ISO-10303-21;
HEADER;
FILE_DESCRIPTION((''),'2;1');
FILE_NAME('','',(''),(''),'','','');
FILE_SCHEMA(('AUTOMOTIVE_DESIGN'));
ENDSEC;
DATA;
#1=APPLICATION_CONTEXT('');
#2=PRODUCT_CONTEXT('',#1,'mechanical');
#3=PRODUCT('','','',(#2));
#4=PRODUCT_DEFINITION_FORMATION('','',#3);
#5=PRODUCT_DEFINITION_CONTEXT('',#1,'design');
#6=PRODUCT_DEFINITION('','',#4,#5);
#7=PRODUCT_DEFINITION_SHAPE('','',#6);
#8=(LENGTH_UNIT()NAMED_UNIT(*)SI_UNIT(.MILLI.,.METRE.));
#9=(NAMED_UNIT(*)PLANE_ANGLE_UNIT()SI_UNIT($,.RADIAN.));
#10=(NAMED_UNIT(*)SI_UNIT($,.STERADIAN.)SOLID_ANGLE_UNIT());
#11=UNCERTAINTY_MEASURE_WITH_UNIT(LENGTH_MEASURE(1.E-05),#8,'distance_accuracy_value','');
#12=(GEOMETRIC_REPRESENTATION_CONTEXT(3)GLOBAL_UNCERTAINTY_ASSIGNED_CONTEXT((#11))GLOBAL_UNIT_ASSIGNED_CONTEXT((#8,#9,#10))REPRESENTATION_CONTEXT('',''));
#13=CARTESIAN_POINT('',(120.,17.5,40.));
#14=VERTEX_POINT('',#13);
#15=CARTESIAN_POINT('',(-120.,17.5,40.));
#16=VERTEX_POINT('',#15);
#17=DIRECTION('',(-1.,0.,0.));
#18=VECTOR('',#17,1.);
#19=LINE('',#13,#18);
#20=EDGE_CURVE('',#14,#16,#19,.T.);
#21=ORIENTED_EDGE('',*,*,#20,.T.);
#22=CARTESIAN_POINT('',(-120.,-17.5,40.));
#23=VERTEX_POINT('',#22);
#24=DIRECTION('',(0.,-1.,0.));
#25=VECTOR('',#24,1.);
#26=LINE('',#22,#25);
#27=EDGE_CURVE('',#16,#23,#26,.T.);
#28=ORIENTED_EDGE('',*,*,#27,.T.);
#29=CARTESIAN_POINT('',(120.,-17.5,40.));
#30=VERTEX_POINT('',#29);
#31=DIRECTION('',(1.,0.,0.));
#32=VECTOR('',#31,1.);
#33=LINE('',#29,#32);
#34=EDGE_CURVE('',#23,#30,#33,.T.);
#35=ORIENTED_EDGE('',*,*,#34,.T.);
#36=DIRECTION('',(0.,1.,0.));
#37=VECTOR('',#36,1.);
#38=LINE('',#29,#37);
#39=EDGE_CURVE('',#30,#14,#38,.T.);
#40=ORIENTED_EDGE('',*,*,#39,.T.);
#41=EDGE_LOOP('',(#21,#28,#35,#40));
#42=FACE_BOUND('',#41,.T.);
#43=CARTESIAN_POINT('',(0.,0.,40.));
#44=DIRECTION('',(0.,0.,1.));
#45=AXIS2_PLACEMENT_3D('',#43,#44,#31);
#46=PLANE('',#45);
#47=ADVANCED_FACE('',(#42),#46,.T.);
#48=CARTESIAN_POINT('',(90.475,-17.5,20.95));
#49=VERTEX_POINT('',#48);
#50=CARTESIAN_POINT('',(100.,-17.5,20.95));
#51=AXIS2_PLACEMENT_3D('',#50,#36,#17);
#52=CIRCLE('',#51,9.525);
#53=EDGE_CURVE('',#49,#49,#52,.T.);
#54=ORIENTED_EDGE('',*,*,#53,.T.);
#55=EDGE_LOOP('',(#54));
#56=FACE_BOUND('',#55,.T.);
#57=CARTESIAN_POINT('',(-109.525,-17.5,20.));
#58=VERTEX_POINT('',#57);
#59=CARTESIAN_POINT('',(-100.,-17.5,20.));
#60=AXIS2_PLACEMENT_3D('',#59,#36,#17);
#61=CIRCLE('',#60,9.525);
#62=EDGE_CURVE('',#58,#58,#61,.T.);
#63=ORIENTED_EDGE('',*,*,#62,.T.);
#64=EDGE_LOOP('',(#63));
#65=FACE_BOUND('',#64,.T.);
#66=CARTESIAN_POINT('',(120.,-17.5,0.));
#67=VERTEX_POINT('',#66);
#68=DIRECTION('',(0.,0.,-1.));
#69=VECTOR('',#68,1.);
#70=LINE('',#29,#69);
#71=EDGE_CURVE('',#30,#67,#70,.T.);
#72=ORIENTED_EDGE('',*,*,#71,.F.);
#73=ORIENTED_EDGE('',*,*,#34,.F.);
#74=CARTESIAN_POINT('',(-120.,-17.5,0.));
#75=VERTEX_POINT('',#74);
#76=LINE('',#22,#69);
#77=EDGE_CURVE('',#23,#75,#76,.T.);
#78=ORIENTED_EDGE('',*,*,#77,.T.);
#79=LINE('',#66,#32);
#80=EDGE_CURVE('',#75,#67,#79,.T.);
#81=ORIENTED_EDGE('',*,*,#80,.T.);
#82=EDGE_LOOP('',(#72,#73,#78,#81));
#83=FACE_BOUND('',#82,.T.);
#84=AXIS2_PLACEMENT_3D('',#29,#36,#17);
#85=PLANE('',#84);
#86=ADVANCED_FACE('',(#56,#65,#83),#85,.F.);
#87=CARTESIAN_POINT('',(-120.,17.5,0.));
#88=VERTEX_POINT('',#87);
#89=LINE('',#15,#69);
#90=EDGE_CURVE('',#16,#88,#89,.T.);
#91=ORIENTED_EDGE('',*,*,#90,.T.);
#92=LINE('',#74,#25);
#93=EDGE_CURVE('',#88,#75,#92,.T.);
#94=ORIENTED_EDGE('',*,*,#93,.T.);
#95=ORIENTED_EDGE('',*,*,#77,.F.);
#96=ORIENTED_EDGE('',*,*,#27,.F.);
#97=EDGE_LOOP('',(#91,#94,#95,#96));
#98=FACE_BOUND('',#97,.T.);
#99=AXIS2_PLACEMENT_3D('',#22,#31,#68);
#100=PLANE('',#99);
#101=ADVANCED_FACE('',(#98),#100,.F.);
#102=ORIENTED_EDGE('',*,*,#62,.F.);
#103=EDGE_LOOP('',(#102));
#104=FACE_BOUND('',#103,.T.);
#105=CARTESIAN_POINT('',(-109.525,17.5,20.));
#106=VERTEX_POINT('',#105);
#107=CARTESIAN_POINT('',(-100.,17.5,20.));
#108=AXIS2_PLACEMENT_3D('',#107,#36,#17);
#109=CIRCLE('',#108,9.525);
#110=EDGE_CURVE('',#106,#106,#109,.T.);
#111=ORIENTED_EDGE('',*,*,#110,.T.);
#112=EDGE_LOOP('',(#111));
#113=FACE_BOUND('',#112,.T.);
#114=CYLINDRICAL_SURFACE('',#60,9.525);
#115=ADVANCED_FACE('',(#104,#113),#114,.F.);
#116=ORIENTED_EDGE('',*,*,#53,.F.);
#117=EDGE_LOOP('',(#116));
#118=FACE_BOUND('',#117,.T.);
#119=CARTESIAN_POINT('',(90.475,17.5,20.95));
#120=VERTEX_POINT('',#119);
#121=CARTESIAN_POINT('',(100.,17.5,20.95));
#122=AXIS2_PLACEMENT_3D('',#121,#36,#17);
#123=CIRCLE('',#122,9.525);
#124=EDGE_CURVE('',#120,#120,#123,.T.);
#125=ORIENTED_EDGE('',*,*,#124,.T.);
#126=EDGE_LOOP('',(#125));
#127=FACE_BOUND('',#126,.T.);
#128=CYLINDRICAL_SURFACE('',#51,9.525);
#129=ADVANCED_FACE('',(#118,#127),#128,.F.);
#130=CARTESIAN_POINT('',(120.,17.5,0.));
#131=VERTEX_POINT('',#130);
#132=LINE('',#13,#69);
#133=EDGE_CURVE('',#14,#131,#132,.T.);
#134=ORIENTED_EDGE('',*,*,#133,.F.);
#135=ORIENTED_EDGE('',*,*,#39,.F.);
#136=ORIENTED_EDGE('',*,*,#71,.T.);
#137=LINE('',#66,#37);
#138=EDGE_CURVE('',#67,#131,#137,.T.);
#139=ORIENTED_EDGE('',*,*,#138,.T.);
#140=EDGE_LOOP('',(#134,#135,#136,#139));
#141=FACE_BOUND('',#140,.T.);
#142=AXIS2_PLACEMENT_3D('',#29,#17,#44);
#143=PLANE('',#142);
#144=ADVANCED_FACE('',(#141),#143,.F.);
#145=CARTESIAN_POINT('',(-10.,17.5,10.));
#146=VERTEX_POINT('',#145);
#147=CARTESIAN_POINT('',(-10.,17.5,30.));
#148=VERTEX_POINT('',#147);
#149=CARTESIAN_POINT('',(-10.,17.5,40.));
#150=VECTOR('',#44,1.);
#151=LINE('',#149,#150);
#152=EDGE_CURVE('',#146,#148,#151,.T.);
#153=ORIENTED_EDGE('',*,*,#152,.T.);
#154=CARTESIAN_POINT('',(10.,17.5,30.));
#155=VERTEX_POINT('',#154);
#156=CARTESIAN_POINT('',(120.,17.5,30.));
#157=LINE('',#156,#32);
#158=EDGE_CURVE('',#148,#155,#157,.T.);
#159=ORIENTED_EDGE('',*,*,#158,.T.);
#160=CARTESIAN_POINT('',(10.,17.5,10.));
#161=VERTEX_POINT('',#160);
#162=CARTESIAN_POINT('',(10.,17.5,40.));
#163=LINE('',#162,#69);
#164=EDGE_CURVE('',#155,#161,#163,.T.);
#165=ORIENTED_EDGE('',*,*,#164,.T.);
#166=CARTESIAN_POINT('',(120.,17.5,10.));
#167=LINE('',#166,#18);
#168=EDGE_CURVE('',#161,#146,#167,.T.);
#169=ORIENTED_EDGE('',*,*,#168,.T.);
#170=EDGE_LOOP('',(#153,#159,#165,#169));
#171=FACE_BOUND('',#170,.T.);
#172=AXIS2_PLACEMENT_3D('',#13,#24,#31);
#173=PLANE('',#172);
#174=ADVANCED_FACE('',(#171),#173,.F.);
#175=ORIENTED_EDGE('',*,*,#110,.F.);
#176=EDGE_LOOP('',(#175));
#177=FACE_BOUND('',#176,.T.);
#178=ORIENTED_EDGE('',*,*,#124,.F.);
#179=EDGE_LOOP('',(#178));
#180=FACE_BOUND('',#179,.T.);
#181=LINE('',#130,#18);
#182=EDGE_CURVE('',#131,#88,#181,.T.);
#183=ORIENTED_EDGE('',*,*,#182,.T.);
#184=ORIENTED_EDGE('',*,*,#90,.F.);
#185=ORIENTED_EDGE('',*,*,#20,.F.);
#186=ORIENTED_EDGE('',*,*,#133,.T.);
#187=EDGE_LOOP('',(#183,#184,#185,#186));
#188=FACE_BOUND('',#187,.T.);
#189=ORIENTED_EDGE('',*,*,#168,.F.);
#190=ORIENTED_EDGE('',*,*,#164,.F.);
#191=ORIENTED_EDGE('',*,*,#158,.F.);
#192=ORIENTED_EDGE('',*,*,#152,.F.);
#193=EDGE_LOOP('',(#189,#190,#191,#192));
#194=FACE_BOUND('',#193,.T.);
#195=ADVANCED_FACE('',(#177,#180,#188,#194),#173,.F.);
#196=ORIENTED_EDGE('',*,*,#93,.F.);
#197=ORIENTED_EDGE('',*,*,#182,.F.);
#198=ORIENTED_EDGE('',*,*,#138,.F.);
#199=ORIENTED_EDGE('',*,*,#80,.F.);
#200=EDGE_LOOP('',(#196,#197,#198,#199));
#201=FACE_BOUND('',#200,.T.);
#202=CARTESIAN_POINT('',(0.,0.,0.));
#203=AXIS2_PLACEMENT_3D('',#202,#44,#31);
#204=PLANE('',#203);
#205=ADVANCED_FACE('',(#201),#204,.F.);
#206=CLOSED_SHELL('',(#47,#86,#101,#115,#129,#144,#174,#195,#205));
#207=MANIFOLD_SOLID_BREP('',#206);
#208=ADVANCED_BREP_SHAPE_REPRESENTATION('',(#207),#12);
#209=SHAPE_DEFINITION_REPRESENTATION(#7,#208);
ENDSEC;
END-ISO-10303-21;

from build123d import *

# Parameters (mm, degrees)
SKETCH1_W           = 240
SKETCH1_H           = 35
BOSS_EXTRUDE1_DEPTH = 40
SKETCH3_R           = 9.525
CUT_EXTRUDE4_DEPTH  = 132.244047484


with BuildPart() as part:
    # Sketch1 → Boss-Extrude1 (new body)
    with BuildSketch(Plane.XY):
        Rectangle(SKETCH1_W, SKETCH1_H)
    extrude(amount=BOSS_EXTRUDE1_DEPTH)

    # Sketch3 → Cut-Extrude4 (cut, through all)
    with BuildSketch(Plane(origin=(0, 17.5, 0), x_dir=(1, 0, 0), z_dir=(0, 1, 0))):
        with Locations(Location((-100, -20, 0), (0, 0, 180))):
            Circle(SKETCH3_R)
        with Locations(Location((100, -20.95, 0), (0, 0, 180))):
            Circle(SKETCH3_R)
    extrude(amount=-CUT_EXTRUDE4_DEPTH, mode=Mode.SUBTRACT)


solid = part.part
